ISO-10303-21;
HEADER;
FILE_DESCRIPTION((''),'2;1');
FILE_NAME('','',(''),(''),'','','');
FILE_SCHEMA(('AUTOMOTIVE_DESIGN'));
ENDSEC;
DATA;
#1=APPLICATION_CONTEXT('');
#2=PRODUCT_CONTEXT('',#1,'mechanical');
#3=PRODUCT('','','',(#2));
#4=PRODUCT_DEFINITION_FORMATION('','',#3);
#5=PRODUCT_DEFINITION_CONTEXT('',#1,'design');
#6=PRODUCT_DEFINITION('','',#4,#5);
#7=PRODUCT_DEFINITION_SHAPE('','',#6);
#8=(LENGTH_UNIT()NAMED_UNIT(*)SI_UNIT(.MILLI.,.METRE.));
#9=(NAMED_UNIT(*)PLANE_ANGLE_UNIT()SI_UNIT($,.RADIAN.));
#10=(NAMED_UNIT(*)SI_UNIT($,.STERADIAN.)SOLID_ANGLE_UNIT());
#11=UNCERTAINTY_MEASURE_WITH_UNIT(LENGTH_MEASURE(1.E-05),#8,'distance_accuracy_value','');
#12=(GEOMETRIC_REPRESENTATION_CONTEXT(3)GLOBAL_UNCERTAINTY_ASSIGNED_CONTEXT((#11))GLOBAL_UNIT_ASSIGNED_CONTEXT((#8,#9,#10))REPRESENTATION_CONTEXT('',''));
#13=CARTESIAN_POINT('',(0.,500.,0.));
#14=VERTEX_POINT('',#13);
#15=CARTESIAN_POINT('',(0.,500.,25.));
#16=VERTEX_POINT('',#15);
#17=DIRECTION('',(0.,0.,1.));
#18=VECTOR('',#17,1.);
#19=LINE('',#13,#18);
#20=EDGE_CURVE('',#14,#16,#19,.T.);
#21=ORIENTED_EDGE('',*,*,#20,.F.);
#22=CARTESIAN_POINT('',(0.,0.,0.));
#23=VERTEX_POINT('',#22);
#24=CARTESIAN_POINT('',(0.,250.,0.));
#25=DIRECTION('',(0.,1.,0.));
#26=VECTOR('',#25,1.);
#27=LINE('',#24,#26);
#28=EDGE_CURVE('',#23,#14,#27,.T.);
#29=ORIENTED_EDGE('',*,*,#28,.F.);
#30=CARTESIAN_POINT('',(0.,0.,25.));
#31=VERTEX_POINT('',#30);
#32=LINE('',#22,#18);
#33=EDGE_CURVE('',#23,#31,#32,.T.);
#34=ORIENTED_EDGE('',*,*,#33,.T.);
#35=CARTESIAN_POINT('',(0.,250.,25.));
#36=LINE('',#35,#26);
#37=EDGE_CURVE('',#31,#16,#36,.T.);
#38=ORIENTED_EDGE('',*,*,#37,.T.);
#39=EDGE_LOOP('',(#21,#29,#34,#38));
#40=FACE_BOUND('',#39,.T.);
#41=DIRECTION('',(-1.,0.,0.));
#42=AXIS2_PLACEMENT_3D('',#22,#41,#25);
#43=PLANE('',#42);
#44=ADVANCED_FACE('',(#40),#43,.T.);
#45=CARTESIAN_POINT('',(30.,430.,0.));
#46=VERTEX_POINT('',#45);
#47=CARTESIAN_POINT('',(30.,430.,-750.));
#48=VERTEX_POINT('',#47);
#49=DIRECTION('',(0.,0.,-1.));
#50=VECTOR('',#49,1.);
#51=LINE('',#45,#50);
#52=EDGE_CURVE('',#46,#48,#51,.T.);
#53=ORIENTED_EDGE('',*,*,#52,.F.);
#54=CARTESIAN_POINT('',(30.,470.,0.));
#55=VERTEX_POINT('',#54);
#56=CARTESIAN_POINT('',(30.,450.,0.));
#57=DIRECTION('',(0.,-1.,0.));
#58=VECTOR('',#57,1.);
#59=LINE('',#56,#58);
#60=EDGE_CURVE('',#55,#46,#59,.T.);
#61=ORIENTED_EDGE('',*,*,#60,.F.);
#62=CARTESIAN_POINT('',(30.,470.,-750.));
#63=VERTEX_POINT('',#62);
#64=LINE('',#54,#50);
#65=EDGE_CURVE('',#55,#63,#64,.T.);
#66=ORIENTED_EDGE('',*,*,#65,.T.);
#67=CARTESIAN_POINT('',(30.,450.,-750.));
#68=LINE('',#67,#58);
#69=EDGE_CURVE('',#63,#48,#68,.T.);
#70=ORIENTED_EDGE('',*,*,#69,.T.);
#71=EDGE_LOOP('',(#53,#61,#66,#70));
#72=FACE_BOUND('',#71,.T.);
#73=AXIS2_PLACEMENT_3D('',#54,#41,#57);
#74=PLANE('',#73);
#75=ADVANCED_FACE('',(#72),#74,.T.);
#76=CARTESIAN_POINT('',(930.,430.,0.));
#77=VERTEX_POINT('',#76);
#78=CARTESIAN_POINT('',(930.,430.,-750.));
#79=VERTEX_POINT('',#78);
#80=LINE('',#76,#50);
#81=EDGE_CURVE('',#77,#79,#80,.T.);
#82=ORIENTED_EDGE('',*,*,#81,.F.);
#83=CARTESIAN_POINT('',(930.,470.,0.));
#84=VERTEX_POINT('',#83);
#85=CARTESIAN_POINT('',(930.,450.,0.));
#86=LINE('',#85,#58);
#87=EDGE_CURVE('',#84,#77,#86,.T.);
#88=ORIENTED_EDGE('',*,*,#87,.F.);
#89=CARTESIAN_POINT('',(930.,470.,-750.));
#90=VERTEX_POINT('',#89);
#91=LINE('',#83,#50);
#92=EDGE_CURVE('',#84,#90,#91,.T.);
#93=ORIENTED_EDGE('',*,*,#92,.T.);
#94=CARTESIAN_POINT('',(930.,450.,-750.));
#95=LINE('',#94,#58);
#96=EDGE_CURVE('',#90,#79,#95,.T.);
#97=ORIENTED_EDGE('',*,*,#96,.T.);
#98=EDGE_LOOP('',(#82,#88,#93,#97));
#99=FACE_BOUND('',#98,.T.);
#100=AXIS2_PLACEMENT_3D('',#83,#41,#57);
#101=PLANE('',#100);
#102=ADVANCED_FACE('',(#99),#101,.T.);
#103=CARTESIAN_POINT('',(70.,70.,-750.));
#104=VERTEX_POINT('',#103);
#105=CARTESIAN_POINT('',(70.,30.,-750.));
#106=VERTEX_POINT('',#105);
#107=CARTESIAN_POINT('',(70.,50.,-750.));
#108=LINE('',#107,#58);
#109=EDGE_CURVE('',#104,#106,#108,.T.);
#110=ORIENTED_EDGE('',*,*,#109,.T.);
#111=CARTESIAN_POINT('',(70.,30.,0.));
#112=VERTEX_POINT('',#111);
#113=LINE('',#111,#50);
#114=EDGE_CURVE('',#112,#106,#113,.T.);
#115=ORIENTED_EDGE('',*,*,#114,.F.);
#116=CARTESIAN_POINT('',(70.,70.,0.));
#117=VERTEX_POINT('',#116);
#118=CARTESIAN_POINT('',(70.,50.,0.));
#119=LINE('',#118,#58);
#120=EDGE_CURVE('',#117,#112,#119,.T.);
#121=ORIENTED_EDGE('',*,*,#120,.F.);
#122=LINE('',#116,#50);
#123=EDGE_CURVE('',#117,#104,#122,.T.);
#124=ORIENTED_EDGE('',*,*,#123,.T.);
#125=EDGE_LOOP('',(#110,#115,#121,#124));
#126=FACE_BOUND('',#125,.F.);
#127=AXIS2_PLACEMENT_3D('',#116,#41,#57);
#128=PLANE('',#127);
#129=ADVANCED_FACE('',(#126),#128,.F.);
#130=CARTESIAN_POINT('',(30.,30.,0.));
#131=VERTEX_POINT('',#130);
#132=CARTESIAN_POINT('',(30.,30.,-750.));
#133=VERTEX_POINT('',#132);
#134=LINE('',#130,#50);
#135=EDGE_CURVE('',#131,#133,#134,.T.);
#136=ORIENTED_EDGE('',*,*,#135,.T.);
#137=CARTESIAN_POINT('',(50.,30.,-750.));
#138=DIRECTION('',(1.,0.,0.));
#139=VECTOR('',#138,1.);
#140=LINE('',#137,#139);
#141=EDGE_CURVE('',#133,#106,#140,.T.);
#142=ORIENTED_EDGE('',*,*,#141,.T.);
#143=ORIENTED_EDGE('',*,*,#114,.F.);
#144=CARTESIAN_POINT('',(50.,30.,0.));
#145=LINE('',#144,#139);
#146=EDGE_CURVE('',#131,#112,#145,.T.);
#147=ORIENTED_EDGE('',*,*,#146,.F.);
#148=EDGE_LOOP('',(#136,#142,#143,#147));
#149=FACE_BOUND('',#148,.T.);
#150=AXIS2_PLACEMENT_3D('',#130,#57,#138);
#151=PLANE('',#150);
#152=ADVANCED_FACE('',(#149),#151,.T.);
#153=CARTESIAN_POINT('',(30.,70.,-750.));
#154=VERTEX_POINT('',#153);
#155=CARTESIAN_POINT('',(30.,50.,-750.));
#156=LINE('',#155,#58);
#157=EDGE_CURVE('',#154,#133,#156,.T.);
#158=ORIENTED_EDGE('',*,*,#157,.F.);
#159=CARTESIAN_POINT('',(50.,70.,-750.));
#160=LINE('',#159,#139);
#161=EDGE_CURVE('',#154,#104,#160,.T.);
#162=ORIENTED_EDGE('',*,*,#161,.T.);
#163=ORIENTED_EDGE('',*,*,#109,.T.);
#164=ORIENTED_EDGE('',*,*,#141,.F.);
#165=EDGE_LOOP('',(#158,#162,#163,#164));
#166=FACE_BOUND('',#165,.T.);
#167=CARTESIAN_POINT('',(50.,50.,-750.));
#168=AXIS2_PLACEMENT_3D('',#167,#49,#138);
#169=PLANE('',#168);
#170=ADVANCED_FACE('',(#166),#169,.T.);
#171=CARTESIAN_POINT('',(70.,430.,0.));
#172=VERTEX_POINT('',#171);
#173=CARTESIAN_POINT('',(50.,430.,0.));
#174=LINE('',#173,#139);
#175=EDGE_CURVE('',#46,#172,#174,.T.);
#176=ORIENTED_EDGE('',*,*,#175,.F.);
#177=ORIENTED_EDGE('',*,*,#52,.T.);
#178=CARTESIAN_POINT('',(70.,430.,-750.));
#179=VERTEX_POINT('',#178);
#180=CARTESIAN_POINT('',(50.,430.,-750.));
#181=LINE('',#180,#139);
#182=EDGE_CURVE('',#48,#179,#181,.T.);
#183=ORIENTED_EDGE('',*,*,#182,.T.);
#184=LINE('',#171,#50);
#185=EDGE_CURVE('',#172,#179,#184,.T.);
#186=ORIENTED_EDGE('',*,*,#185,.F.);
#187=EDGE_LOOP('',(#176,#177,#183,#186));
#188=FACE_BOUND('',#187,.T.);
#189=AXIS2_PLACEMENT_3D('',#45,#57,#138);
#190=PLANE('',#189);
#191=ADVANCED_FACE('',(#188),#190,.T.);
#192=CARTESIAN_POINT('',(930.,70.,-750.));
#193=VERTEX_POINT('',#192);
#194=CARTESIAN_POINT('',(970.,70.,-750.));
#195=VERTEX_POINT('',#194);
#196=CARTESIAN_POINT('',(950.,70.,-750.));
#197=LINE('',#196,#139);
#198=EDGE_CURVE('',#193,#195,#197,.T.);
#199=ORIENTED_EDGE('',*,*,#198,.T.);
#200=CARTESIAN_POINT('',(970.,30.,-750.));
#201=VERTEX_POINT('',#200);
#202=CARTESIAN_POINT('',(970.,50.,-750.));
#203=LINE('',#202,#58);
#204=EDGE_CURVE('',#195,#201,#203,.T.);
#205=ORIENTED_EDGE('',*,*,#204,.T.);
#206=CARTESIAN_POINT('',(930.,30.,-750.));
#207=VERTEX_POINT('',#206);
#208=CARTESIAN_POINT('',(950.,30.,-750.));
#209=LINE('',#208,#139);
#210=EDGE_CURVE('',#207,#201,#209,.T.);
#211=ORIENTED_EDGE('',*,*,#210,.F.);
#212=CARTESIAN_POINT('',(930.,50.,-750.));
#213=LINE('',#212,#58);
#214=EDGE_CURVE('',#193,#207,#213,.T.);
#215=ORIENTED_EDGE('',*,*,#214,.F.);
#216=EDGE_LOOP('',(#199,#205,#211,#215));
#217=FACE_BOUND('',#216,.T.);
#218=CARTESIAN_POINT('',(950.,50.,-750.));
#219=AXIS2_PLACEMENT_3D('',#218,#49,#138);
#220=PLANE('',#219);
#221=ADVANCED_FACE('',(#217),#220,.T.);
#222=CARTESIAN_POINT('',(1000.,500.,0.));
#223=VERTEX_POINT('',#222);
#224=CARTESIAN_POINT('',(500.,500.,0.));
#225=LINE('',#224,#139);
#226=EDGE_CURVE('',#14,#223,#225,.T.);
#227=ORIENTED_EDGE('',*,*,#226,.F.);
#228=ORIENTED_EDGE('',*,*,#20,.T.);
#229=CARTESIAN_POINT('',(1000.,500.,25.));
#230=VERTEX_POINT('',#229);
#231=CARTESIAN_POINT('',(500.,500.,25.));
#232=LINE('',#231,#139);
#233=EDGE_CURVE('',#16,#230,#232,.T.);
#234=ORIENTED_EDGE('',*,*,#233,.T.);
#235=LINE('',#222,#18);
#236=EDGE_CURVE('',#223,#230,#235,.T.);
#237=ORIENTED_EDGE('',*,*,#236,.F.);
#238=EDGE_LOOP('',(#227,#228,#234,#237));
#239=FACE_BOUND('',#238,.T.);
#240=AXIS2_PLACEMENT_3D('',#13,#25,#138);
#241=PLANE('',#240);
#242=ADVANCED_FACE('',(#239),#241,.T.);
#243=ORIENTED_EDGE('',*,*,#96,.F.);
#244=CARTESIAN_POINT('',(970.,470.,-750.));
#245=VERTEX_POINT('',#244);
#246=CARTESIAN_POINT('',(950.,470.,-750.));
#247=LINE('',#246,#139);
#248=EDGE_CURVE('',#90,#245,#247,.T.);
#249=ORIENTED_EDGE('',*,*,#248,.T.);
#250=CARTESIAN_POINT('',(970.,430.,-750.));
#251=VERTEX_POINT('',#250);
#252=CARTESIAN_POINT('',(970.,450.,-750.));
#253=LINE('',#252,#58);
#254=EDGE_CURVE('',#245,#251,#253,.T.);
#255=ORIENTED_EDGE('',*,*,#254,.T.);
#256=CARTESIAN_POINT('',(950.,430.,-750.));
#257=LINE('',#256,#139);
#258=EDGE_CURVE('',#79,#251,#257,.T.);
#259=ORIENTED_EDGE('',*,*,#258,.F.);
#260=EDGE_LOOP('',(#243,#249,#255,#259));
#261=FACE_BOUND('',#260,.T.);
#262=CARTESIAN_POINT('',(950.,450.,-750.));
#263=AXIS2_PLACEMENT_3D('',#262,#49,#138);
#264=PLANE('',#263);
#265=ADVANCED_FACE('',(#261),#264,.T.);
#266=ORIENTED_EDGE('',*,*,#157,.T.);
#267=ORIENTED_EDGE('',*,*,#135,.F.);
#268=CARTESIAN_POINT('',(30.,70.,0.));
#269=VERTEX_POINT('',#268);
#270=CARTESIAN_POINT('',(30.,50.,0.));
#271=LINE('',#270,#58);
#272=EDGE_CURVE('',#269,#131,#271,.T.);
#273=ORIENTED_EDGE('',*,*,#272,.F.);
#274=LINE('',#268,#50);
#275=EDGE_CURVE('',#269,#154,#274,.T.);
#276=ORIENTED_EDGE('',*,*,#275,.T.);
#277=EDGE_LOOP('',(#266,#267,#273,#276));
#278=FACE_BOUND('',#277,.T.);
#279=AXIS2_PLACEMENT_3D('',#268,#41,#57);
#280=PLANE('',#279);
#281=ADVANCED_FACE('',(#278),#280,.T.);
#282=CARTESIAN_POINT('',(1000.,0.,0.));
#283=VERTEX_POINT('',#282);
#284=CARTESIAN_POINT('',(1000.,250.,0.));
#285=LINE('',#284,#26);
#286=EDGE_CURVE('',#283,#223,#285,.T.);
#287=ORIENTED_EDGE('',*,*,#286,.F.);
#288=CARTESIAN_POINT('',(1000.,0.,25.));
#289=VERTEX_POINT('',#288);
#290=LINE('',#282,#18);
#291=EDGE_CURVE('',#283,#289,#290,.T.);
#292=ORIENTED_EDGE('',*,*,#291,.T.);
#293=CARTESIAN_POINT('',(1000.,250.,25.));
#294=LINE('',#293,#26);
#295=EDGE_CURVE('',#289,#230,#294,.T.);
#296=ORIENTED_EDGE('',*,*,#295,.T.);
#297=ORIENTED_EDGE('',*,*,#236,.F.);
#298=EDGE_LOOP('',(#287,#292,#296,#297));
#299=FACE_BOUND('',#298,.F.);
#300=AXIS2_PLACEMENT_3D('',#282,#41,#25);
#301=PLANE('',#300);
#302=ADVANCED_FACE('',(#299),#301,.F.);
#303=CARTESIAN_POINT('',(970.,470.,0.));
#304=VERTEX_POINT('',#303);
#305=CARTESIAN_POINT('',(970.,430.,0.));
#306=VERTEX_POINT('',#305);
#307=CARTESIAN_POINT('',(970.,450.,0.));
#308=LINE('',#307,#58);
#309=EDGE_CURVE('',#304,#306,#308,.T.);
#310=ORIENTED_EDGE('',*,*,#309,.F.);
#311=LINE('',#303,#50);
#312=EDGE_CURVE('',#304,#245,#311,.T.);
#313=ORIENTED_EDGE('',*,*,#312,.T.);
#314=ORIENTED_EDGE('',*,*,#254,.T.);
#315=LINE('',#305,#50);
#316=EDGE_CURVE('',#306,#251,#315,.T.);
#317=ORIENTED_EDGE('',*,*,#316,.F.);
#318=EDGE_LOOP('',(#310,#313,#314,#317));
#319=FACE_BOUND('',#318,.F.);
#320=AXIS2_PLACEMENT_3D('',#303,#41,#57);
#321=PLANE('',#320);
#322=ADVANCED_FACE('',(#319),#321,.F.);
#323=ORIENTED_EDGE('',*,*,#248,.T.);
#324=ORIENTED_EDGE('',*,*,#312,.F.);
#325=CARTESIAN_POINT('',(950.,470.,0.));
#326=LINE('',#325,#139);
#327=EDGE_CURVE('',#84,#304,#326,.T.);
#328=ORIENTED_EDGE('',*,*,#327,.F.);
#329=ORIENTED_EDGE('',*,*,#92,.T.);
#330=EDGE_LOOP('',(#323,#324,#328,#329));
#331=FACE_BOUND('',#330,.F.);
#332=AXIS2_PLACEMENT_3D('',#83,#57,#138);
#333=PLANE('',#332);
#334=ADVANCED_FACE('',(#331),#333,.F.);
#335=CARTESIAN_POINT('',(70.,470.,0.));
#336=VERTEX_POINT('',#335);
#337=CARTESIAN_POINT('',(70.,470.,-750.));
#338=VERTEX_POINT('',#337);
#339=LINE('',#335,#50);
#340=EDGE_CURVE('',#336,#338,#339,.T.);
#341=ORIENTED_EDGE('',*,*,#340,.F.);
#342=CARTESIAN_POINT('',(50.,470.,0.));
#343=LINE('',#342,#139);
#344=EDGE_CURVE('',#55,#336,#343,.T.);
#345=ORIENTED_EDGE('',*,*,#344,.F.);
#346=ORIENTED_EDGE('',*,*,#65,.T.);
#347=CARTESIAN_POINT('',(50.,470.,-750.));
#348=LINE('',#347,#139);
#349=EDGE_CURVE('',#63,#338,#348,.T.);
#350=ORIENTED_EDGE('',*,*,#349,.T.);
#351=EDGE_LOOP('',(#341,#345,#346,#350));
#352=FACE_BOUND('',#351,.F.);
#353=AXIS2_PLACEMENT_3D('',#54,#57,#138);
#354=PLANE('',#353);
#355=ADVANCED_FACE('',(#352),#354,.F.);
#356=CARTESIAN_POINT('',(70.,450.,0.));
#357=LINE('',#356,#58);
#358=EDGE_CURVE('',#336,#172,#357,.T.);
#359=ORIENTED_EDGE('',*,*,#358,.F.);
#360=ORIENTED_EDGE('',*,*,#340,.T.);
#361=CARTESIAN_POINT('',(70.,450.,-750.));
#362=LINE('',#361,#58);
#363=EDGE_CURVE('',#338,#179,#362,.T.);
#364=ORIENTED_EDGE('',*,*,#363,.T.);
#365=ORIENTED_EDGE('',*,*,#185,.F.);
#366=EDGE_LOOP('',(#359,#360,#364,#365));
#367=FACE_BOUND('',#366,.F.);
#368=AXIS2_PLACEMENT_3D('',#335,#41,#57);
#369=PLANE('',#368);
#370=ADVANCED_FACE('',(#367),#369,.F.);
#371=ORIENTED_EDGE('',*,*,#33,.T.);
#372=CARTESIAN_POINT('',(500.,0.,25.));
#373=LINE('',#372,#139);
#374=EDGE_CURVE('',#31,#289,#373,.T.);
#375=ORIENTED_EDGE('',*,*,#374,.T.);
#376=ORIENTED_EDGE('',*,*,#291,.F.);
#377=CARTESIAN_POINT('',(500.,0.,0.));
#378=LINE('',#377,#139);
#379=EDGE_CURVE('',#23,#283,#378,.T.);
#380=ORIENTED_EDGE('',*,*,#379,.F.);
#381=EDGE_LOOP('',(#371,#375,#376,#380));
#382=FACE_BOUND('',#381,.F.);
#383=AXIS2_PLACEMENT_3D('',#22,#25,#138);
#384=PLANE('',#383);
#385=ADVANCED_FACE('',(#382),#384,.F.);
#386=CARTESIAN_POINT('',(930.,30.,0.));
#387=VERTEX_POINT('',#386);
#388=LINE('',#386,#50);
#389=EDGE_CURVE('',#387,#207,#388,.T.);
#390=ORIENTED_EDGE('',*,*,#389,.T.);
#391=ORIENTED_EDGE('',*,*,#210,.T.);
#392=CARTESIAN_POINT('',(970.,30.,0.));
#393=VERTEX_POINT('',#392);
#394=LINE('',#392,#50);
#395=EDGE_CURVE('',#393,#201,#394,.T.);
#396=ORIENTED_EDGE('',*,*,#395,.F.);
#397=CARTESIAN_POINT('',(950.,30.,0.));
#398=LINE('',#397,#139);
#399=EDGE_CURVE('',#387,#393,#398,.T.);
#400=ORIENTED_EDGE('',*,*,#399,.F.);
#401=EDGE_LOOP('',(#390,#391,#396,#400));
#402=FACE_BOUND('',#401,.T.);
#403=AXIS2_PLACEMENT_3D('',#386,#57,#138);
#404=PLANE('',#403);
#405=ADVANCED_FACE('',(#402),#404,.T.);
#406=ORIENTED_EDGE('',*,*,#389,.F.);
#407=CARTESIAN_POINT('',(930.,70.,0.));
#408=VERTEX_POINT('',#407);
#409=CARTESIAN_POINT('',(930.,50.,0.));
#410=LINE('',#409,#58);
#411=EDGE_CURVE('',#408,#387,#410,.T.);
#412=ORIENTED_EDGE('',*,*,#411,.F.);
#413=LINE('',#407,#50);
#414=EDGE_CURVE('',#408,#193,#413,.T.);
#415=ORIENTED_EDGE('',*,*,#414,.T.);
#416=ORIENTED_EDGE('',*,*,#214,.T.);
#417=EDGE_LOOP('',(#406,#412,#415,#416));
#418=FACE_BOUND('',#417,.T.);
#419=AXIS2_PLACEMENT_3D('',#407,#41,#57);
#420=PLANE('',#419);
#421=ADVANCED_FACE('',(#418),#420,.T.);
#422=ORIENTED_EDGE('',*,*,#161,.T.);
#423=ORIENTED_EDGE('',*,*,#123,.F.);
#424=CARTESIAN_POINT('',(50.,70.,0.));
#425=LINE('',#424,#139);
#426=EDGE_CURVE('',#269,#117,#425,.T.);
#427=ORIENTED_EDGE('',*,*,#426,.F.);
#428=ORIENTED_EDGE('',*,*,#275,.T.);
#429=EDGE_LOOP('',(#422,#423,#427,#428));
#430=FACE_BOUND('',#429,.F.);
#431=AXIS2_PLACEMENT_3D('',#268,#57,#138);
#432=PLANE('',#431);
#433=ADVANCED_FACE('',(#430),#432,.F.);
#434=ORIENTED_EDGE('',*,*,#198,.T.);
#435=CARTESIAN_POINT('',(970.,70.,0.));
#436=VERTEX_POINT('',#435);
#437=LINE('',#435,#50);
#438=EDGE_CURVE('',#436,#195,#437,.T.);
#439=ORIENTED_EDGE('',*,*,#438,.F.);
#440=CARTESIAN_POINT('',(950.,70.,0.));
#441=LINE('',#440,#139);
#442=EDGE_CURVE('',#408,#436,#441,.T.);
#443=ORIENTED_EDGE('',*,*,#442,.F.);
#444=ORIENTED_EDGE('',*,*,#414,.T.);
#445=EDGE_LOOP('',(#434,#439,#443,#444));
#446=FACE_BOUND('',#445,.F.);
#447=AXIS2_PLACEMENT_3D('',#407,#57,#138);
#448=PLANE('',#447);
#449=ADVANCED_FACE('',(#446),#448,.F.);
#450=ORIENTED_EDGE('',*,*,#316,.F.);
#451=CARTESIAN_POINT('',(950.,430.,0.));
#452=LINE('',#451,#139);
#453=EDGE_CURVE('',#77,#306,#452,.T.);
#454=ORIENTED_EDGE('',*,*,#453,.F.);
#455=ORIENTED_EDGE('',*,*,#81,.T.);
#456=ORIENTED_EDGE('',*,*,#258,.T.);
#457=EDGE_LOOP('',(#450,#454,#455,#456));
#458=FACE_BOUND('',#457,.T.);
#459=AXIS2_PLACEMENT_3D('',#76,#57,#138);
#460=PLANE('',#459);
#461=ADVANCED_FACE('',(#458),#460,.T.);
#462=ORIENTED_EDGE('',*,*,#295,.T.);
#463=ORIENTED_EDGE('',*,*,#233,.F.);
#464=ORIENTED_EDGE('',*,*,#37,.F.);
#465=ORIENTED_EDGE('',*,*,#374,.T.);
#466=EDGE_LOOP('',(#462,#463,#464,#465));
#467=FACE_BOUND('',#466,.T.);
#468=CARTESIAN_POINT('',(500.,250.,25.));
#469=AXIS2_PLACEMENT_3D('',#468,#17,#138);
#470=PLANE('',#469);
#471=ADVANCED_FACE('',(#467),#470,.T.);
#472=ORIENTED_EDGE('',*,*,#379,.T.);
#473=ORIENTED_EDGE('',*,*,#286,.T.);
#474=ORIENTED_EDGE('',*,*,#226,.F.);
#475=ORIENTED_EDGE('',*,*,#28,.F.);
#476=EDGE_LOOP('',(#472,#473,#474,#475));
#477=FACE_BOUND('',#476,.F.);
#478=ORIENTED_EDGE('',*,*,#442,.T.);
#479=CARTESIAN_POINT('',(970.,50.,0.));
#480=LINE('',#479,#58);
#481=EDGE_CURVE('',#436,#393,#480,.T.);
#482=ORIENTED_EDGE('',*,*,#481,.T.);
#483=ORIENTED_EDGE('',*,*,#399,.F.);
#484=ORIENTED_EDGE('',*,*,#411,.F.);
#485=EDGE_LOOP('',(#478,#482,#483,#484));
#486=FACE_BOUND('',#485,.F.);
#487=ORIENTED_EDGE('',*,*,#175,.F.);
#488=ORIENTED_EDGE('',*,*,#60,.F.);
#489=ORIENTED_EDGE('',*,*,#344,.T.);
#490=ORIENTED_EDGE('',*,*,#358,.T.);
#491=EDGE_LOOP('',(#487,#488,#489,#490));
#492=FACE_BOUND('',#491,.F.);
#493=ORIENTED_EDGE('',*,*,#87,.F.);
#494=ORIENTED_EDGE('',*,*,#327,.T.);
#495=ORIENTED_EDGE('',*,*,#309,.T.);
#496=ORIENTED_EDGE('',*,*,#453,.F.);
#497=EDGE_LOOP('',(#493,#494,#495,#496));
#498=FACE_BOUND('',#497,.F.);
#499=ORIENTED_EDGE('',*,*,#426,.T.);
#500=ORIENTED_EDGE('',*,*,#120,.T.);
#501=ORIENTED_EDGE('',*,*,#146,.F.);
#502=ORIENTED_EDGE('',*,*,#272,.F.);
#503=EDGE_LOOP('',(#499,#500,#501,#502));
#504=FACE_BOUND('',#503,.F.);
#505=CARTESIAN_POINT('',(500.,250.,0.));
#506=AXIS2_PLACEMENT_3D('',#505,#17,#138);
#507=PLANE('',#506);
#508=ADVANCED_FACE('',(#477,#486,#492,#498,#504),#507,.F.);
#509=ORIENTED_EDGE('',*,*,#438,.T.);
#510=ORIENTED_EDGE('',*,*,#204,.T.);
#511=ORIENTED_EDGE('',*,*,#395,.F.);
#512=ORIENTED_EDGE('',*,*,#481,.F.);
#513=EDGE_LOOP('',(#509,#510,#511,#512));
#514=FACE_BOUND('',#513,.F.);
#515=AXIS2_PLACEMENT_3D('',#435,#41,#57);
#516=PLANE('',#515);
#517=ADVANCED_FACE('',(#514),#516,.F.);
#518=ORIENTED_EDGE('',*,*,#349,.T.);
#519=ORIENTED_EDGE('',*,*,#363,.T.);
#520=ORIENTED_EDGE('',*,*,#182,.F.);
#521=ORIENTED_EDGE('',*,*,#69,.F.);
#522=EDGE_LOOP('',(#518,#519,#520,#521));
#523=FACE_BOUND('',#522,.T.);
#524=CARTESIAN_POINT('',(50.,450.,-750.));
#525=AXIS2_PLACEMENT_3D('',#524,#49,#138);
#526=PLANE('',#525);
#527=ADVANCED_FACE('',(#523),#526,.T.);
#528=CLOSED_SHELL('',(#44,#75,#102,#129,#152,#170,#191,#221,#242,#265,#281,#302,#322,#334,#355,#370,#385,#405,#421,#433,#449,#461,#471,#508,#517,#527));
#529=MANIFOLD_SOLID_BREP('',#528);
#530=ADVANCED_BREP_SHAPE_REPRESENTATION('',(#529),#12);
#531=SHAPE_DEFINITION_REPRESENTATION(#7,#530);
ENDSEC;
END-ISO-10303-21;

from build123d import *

# Parameters (mm, degrees)
F0_W     = 1000
F0_H     = 500
F1_DEPTH = 25
F2_W     = 40
F2_H     = 40
F3_DEPTH = 750


with BuildPart() as f1:
    # F0 (on Top) → F1 (new body)
    with BuildSketch(Plane.XY):
        with Locations((500, 250)):
            Rectangle(F0_W, F0_H)
    extrude(amount=F1_DEPTH)

    # F2 (on face) → F3 (join)
    with BuildSketch(Plane(origin=(0, 0, 0), x_dir=(1, 0, 0), z_dir=(0, 0, -1))):
        with Locations((50, -50)):
            Rectangle(F2_W, F2_H)
        with Locations((50, -450)):
            Rectangle(F2_W, F2_H)
        with Locations((950, -50)):
            Rectangle(F2_W, F2_H)
        with Locations((950, -450)):
            Rectangle(F2_W, F2_H)
    extrude(amount=F3_DEPTH)


solid = f1.part
